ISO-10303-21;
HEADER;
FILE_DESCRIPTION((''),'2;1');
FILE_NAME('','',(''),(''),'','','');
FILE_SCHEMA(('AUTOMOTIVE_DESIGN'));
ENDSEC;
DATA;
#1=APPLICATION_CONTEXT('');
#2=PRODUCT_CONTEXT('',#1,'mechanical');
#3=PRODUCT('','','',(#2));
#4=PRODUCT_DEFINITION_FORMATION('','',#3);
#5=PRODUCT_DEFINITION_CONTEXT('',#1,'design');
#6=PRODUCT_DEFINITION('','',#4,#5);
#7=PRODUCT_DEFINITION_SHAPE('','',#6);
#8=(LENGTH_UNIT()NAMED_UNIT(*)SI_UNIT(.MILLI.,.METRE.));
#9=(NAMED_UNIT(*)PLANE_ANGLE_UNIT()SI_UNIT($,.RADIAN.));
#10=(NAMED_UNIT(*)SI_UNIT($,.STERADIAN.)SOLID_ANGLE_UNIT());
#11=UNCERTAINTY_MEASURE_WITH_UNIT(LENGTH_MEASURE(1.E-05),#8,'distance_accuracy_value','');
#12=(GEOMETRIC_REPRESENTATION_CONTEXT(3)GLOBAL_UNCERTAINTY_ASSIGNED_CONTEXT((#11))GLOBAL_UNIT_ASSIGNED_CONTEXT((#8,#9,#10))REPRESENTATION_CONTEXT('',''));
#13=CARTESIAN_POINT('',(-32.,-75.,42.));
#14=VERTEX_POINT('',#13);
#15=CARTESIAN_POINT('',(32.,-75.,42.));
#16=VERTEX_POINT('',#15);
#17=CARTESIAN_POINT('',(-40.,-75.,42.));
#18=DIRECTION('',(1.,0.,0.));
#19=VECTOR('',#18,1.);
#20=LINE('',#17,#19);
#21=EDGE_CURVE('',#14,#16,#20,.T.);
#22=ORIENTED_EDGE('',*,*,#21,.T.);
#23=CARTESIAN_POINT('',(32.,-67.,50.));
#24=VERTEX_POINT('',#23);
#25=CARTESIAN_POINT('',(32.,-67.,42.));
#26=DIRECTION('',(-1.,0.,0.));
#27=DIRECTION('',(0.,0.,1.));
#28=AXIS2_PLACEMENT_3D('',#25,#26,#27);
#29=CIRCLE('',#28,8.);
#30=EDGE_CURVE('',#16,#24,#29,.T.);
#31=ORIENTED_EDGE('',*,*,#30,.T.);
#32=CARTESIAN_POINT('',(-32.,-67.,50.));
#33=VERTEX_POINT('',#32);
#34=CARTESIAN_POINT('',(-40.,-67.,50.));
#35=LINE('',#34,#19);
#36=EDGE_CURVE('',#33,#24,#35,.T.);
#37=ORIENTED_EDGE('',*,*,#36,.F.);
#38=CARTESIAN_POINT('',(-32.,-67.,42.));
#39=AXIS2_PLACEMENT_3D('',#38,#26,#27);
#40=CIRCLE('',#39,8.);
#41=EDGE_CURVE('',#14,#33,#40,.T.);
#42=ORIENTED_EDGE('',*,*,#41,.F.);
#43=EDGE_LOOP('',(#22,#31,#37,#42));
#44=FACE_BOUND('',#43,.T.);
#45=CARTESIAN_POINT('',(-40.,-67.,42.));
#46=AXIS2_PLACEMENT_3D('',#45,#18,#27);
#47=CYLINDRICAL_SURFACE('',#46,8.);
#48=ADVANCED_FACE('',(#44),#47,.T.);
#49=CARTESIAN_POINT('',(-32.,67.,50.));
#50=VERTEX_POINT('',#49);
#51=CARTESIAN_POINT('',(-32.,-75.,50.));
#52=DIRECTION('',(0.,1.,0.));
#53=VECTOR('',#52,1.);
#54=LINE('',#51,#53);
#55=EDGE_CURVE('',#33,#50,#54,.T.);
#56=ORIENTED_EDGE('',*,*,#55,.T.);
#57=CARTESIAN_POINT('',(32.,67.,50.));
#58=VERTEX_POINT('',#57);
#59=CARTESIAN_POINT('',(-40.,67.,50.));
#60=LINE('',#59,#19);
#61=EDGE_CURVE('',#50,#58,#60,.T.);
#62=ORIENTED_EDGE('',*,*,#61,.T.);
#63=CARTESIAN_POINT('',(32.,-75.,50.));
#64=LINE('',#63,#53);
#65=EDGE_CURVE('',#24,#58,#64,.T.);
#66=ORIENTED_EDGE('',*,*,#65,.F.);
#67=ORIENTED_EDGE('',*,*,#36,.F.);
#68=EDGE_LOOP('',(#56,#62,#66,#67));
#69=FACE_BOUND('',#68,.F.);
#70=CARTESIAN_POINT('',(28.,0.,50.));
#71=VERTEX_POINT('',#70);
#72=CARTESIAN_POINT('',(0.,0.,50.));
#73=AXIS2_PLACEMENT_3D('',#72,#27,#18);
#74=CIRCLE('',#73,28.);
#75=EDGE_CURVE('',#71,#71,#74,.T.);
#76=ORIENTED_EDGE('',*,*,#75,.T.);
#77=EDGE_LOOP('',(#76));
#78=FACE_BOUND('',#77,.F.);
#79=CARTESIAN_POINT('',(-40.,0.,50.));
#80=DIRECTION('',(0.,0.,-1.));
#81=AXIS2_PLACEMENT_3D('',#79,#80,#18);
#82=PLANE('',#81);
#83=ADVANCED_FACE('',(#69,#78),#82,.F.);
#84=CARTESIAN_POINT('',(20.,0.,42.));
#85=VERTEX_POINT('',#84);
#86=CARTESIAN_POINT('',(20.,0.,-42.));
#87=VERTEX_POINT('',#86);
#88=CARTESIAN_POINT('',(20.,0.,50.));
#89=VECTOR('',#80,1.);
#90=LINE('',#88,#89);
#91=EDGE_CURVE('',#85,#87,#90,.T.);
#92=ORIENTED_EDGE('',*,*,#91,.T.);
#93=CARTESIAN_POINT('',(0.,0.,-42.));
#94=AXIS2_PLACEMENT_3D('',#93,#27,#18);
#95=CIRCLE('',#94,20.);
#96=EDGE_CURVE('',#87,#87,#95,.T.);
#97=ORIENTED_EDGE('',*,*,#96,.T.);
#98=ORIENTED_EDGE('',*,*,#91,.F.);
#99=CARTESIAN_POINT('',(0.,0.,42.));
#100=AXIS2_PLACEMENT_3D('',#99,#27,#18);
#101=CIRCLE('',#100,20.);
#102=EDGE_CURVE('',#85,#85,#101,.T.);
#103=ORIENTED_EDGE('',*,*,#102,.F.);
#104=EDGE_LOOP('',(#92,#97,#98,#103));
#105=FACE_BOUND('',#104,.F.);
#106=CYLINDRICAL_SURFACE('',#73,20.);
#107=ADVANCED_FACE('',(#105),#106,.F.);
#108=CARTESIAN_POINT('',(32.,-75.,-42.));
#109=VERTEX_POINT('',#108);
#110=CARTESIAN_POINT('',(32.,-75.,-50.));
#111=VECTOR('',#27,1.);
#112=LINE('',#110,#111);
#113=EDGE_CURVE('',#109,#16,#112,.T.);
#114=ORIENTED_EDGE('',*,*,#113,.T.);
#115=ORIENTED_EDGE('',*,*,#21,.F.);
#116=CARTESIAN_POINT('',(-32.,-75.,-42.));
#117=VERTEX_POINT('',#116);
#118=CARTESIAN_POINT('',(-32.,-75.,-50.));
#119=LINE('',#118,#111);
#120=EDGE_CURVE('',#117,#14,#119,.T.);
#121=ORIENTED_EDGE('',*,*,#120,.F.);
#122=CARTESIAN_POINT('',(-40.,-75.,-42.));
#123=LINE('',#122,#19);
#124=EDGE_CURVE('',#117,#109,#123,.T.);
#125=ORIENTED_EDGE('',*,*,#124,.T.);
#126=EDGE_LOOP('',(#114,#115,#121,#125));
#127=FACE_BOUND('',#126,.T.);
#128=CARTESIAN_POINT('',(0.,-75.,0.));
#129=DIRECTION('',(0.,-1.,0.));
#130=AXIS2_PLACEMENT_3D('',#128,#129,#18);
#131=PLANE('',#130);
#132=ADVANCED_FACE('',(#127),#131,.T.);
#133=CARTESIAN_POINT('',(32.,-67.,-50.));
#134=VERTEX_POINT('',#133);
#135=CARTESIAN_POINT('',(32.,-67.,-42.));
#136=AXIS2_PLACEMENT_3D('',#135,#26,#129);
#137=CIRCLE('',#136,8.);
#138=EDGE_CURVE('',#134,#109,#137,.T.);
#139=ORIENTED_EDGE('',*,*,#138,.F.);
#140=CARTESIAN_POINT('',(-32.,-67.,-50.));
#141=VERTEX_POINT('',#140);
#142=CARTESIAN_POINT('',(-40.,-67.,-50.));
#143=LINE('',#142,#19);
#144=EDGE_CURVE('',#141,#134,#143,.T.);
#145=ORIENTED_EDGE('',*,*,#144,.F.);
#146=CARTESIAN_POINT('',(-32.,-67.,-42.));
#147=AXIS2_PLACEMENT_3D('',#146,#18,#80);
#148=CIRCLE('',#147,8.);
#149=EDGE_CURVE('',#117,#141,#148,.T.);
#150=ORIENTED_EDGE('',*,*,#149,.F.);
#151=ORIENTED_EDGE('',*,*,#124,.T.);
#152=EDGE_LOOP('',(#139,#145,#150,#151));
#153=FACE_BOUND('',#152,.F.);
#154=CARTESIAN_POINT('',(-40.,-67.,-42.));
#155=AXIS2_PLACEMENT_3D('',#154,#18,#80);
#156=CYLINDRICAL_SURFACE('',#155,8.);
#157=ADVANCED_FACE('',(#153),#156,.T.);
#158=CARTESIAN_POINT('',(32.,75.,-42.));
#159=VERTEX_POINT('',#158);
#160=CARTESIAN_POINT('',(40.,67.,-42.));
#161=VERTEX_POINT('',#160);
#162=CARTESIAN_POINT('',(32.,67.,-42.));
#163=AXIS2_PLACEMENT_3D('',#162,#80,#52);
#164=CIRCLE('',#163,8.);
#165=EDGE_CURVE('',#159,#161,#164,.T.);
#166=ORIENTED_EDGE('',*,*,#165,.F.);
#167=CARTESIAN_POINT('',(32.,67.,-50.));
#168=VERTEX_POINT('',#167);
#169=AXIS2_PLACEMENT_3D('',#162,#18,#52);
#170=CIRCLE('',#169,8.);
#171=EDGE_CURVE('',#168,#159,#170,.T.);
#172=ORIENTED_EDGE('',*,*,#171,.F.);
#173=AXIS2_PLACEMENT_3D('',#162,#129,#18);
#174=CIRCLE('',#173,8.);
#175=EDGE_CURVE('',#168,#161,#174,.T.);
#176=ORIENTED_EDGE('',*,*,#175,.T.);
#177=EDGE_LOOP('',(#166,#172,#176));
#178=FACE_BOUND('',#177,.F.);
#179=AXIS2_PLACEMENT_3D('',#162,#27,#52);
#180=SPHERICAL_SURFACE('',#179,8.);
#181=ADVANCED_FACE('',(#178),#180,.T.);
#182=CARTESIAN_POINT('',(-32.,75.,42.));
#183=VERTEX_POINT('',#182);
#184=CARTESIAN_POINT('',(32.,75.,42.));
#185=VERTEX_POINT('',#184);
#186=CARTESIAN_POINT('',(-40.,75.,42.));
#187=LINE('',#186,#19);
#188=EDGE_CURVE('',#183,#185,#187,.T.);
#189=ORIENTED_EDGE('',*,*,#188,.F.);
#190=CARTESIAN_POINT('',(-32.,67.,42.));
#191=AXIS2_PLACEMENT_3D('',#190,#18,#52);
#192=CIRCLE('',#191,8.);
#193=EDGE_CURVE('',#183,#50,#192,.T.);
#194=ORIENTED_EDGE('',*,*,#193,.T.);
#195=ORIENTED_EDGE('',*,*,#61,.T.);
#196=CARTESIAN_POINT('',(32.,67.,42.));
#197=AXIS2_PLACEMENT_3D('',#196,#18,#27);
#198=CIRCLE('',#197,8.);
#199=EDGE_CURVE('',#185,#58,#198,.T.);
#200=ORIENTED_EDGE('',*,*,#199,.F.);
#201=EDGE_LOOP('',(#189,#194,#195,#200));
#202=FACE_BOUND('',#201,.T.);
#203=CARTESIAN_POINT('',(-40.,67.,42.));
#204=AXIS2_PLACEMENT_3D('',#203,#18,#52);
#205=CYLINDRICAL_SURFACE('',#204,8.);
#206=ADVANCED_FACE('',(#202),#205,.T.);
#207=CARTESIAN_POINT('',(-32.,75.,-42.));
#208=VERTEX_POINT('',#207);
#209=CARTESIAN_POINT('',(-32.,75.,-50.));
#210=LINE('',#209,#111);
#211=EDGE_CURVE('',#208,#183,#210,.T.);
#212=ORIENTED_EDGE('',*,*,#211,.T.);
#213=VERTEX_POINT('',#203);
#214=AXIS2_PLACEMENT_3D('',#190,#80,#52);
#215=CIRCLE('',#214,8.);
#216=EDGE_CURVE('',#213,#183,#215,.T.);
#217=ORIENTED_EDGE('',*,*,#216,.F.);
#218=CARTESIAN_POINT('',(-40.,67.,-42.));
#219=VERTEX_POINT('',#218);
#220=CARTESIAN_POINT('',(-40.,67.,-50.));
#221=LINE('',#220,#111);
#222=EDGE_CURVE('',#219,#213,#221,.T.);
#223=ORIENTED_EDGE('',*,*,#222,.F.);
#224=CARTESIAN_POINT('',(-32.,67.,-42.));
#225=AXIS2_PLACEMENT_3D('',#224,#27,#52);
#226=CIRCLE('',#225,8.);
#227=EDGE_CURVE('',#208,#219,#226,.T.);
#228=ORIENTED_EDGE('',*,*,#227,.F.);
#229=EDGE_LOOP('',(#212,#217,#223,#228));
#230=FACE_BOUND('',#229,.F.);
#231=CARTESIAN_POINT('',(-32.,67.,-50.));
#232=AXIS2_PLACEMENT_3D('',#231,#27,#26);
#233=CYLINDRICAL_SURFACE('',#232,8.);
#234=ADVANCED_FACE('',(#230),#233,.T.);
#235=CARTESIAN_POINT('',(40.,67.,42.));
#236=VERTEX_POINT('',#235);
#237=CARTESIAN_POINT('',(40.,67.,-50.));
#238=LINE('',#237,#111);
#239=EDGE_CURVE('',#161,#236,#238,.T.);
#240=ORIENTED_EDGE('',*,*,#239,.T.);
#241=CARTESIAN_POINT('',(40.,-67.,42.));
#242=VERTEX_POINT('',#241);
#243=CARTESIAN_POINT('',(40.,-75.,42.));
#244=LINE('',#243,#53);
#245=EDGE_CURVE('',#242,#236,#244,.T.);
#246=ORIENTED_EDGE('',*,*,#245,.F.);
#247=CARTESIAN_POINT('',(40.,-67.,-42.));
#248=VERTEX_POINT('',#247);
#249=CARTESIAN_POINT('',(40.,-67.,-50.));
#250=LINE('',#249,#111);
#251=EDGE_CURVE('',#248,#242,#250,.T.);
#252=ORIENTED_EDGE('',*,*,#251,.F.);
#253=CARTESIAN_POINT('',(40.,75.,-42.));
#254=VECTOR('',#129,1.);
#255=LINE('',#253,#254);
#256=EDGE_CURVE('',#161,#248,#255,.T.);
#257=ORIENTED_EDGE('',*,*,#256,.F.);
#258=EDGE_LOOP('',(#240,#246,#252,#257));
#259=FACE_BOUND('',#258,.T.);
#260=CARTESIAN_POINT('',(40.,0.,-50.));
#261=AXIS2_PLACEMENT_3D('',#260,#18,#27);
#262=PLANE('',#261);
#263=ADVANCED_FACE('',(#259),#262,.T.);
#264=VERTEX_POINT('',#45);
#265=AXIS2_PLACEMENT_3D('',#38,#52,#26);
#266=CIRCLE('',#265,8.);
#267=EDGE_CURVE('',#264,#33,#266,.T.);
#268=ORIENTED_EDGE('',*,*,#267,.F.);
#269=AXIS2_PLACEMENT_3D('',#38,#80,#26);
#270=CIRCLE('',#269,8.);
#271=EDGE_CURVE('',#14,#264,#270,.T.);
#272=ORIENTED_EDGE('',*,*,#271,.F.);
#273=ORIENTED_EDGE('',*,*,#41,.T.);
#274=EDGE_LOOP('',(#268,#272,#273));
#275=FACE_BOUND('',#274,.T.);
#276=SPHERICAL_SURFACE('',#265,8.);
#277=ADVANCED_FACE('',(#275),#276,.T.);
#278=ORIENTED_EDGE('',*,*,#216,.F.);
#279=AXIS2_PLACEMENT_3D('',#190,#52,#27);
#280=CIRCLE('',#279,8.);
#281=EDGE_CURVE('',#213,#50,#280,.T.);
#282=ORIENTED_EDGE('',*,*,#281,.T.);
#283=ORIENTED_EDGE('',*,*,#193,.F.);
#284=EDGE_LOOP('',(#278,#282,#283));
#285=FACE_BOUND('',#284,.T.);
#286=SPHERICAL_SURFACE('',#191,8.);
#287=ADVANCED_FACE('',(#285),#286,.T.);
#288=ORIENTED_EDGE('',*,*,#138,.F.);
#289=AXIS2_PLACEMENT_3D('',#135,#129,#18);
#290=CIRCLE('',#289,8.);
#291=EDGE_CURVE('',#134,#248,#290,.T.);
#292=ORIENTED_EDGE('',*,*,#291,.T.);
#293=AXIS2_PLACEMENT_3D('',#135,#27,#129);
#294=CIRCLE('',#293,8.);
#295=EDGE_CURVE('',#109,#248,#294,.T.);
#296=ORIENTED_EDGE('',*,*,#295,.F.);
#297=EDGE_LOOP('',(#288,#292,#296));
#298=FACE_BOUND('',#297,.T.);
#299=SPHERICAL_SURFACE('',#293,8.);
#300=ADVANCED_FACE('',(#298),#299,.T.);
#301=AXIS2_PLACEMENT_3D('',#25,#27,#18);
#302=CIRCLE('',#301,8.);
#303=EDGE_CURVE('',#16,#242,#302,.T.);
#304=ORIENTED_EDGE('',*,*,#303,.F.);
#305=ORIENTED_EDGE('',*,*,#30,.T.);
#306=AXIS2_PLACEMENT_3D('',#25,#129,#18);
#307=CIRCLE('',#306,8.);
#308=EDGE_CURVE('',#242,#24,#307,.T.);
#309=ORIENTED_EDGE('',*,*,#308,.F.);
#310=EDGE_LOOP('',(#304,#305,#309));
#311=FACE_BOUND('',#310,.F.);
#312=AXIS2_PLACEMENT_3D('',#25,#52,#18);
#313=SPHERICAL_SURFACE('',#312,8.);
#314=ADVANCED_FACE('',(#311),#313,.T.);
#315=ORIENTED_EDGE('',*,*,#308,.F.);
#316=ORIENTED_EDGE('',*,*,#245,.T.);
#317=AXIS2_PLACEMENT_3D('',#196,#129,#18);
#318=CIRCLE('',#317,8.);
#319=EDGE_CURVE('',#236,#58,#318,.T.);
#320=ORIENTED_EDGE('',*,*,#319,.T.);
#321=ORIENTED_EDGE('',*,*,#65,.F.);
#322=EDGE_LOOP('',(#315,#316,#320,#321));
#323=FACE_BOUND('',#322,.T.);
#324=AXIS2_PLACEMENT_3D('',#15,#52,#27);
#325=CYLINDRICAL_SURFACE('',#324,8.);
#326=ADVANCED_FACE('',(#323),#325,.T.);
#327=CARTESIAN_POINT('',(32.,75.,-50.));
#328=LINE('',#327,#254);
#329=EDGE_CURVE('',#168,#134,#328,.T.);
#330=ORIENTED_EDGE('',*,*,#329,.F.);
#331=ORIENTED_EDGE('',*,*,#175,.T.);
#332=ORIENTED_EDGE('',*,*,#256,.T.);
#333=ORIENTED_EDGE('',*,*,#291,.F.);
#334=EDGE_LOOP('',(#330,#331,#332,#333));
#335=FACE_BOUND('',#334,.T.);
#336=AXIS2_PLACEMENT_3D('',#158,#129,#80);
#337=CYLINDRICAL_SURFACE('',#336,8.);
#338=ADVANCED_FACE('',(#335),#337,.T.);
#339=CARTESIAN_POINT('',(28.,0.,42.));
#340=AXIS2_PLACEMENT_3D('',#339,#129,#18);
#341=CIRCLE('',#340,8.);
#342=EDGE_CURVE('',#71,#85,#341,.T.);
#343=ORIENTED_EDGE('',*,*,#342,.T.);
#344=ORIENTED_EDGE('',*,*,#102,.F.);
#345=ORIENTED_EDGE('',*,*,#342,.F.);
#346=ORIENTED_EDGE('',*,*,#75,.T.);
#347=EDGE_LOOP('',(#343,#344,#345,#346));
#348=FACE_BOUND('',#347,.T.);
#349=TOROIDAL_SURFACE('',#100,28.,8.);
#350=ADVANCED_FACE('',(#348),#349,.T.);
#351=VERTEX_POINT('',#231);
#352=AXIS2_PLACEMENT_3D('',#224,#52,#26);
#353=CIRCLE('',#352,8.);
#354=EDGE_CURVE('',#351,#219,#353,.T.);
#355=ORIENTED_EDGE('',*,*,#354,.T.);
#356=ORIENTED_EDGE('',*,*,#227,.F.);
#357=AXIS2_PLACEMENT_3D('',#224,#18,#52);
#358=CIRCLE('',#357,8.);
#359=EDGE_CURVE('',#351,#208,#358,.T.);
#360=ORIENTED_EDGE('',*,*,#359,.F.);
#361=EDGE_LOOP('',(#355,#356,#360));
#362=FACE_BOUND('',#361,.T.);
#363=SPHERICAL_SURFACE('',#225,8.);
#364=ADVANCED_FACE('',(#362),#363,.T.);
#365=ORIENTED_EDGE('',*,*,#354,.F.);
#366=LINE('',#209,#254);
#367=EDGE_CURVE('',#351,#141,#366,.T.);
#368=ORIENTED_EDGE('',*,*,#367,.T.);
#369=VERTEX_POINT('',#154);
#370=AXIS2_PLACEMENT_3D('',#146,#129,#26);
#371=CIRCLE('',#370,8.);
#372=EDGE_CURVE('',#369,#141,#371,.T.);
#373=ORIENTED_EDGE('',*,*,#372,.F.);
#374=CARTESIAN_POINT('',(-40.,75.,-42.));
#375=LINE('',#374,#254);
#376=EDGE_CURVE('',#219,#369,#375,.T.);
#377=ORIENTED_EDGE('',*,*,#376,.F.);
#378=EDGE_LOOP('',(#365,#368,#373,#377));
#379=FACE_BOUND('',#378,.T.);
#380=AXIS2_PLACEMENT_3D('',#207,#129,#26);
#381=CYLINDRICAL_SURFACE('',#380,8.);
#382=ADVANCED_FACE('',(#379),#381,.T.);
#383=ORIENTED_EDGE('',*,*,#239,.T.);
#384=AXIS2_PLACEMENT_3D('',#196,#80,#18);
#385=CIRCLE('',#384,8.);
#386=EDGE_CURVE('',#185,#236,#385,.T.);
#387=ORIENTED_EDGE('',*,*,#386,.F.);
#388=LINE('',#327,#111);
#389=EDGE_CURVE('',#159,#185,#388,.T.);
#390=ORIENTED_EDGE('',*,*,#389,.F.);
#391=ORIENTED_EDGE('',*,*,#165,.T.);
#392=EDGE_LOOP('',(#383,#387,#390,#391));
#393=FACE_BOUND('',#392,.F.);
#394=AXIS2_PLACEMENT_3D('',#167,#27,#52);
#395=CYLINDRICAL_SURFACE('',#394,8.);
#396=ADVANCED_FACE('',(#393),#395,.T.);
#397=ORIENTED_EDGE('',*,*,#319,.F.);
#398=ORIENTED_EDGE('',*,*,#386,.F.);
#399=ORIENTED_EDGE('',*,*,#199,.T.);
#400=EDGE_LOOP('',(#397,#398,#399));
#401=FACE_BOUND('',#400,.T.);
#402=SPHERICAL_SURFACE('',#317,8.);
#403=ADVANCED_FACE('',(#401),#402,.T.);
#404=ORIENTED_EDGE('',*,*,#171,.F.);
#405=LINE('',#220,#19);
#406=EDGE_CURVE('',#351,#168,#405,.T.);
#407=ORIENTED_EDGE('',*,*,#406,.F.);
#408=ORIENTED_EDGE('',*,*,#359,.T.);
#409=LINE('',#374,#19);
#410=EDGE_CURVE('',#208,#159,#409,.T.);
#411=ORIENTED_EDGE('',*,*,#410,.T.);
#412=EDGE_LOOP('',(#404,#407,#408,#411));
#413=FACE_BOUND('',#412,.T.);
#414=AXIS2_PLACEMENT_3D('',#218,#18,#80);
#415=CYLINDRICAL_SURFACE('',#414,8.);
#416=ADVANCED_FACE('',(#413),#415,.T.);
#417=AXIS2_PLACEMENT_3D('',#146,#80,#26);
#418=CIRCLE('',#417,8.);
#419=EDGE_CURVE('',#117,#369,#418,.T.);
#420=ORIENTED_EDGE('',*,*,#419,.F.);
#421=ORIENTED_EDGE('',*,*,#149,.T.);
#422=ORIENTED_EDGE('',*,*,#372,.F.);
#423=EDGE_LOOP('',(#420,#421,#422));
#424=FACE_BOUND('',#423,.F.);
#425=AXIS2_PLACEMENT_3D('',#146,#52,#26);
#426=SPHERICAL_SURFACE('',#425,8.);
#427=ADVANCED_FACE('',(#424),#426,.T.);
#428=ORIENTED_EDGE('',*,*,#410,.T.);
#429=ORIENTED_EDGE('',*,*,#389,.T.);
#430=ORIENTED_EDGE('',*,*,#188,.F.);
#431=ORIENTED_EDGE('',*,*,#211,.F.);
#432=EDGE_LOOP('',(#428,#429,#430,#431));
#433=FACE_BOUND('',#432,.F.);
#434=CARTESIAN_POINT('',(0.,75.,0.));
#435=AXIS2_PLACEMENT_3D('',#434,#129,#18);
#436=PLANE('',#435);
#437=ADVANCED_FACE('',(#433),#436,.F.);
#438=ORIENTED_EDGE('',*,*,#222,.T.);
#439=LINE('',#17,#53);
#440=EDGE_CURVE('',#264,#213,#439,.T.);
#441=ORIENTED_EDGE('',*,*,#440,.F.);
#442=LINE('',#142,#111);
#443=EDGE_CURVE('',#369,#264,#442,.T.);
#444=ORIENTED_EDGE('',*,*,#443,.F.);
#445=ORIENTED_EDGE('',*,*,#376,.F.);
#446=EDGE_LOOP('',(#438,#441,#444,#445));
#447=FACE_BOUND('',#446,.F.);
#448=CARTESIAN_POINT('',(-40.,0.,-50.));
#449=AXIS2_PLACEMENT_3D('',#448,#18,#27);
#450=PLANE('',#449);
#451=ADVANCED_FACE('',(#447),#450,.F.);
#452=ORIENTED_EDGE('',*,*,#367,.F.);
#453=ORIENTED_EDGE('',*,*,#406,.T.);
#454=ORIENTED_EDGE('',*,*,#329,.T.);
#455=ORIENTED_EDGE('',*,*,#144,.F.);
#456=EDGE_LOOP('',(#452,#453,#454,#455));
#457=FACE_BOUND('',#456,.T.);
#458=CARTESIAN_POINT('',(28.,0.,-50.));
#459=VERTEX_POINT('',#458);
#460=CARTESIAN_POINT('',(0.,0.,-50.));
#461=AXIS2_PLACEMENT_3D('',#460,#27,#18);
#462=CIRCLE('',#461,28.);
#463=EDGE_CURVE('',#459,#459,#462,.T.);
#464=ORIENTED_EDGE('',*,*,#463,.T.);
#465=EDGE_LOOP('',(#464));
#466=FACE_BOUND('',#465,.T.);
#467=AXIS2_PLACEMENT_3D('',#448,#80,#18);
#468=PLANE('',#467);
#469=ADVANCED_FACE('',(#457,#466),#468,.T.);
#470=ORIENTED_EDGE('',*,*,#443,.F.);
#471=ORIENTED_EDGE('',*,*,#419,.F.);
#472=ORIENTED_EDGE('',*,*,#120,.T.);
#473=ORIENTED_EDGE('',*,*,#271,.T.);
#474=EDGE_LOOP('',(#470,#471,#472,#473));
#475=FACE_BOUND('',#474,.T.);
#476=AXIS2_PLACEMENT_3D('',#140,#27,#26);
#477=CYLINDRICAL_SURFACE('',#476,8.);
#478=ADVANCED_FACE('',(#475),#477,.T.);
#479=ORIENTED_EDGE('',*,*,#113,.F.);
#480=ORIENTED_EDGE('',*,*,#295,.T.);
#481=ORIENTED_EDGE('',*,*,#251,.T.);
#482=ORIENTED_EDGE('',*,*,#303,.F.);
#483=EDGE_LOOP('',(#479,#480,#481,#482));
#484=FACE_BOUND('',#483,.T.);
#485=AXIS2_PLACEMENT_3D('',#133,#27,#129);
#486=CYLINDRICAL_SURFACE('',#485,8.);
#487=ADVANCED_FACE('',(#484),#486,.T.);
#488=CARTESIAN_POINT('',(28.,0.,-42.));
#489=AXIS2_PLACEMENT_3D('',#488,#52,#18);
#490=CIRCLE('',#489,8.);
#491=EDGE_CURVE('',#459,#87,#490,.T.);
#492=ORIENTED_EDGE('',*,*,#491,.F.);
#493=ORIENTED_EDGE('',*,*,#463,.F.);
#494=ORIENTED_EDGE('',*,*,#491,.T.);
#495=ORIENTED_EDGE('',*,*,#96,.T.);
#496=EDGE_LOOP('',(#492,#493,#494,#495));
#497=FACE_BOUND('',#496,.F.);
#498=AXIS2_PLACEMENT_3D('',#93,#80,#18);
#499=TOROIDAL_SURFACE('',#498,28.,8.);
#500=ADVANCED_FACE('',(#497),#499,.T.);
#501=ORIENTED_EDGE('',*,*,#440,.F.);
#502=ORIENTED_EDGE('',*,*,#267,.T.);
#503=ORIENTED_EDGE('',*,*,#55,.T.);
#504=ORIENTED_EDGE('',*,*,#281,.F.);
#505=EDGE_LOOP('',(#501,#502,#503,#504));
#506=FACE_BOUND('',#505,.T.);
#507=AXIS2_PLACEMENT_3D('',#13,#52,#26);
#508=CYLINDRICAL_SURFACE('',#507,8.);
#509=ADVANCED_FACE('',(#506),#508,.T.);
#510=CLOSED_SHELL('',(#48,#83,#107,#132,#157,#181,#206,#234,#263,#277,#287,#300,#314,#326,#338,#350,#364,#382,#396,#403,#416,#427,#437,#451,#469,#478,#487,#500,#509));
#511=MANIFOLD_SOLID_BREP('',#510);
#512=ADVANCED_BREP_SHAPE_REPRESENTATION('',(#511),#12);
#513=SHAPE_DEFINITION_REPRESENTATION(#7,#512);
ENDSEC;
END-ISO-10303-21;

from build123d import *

# Parameters (mm, degrees)
F0_W     = 80
F0_H     = 100
F1_DEPTH = 75
F2_R     = 20
F3_DEPTH = 107
F4_R     = 8


with BuildPart() as f1:
    # F0 (on Front) → F1 (new body, symmetric)
    with BuildSketch(Plane.XZ):
        Rectangle(F0_W, F0_H)
    extrude(amount=F1_DEPTH, both=True)

    # F2 (on face) → F3 (cut)
    with BuildSketch(Plane.XY.offset(50)):
        Circle(F2_R)
    extrude(amount=-F3_DEPTH, mode=Mode.SUBTRACT)

    # F4
    f4_edges = [f1.edges().sort_by_distance(p)[0] for p in [
        (40, 0, 50),
        (40, 75, 0),
        (0, 75, 50),
        (-40, 75, 0),
        (0, 75, -50),
        (-40, 0, 50),
        (-40, 0, -50),
        (-40, -75, 0),
        (40, -75, 0),
        (0, -75, 50),
        (0, -75, -50),
        (40, 0, -50),
        (-20, 0, -50),
        (-20, 0, 50),
    ]]
    fillet(f4_edges, radius=F4_R)


solid = f1.part
